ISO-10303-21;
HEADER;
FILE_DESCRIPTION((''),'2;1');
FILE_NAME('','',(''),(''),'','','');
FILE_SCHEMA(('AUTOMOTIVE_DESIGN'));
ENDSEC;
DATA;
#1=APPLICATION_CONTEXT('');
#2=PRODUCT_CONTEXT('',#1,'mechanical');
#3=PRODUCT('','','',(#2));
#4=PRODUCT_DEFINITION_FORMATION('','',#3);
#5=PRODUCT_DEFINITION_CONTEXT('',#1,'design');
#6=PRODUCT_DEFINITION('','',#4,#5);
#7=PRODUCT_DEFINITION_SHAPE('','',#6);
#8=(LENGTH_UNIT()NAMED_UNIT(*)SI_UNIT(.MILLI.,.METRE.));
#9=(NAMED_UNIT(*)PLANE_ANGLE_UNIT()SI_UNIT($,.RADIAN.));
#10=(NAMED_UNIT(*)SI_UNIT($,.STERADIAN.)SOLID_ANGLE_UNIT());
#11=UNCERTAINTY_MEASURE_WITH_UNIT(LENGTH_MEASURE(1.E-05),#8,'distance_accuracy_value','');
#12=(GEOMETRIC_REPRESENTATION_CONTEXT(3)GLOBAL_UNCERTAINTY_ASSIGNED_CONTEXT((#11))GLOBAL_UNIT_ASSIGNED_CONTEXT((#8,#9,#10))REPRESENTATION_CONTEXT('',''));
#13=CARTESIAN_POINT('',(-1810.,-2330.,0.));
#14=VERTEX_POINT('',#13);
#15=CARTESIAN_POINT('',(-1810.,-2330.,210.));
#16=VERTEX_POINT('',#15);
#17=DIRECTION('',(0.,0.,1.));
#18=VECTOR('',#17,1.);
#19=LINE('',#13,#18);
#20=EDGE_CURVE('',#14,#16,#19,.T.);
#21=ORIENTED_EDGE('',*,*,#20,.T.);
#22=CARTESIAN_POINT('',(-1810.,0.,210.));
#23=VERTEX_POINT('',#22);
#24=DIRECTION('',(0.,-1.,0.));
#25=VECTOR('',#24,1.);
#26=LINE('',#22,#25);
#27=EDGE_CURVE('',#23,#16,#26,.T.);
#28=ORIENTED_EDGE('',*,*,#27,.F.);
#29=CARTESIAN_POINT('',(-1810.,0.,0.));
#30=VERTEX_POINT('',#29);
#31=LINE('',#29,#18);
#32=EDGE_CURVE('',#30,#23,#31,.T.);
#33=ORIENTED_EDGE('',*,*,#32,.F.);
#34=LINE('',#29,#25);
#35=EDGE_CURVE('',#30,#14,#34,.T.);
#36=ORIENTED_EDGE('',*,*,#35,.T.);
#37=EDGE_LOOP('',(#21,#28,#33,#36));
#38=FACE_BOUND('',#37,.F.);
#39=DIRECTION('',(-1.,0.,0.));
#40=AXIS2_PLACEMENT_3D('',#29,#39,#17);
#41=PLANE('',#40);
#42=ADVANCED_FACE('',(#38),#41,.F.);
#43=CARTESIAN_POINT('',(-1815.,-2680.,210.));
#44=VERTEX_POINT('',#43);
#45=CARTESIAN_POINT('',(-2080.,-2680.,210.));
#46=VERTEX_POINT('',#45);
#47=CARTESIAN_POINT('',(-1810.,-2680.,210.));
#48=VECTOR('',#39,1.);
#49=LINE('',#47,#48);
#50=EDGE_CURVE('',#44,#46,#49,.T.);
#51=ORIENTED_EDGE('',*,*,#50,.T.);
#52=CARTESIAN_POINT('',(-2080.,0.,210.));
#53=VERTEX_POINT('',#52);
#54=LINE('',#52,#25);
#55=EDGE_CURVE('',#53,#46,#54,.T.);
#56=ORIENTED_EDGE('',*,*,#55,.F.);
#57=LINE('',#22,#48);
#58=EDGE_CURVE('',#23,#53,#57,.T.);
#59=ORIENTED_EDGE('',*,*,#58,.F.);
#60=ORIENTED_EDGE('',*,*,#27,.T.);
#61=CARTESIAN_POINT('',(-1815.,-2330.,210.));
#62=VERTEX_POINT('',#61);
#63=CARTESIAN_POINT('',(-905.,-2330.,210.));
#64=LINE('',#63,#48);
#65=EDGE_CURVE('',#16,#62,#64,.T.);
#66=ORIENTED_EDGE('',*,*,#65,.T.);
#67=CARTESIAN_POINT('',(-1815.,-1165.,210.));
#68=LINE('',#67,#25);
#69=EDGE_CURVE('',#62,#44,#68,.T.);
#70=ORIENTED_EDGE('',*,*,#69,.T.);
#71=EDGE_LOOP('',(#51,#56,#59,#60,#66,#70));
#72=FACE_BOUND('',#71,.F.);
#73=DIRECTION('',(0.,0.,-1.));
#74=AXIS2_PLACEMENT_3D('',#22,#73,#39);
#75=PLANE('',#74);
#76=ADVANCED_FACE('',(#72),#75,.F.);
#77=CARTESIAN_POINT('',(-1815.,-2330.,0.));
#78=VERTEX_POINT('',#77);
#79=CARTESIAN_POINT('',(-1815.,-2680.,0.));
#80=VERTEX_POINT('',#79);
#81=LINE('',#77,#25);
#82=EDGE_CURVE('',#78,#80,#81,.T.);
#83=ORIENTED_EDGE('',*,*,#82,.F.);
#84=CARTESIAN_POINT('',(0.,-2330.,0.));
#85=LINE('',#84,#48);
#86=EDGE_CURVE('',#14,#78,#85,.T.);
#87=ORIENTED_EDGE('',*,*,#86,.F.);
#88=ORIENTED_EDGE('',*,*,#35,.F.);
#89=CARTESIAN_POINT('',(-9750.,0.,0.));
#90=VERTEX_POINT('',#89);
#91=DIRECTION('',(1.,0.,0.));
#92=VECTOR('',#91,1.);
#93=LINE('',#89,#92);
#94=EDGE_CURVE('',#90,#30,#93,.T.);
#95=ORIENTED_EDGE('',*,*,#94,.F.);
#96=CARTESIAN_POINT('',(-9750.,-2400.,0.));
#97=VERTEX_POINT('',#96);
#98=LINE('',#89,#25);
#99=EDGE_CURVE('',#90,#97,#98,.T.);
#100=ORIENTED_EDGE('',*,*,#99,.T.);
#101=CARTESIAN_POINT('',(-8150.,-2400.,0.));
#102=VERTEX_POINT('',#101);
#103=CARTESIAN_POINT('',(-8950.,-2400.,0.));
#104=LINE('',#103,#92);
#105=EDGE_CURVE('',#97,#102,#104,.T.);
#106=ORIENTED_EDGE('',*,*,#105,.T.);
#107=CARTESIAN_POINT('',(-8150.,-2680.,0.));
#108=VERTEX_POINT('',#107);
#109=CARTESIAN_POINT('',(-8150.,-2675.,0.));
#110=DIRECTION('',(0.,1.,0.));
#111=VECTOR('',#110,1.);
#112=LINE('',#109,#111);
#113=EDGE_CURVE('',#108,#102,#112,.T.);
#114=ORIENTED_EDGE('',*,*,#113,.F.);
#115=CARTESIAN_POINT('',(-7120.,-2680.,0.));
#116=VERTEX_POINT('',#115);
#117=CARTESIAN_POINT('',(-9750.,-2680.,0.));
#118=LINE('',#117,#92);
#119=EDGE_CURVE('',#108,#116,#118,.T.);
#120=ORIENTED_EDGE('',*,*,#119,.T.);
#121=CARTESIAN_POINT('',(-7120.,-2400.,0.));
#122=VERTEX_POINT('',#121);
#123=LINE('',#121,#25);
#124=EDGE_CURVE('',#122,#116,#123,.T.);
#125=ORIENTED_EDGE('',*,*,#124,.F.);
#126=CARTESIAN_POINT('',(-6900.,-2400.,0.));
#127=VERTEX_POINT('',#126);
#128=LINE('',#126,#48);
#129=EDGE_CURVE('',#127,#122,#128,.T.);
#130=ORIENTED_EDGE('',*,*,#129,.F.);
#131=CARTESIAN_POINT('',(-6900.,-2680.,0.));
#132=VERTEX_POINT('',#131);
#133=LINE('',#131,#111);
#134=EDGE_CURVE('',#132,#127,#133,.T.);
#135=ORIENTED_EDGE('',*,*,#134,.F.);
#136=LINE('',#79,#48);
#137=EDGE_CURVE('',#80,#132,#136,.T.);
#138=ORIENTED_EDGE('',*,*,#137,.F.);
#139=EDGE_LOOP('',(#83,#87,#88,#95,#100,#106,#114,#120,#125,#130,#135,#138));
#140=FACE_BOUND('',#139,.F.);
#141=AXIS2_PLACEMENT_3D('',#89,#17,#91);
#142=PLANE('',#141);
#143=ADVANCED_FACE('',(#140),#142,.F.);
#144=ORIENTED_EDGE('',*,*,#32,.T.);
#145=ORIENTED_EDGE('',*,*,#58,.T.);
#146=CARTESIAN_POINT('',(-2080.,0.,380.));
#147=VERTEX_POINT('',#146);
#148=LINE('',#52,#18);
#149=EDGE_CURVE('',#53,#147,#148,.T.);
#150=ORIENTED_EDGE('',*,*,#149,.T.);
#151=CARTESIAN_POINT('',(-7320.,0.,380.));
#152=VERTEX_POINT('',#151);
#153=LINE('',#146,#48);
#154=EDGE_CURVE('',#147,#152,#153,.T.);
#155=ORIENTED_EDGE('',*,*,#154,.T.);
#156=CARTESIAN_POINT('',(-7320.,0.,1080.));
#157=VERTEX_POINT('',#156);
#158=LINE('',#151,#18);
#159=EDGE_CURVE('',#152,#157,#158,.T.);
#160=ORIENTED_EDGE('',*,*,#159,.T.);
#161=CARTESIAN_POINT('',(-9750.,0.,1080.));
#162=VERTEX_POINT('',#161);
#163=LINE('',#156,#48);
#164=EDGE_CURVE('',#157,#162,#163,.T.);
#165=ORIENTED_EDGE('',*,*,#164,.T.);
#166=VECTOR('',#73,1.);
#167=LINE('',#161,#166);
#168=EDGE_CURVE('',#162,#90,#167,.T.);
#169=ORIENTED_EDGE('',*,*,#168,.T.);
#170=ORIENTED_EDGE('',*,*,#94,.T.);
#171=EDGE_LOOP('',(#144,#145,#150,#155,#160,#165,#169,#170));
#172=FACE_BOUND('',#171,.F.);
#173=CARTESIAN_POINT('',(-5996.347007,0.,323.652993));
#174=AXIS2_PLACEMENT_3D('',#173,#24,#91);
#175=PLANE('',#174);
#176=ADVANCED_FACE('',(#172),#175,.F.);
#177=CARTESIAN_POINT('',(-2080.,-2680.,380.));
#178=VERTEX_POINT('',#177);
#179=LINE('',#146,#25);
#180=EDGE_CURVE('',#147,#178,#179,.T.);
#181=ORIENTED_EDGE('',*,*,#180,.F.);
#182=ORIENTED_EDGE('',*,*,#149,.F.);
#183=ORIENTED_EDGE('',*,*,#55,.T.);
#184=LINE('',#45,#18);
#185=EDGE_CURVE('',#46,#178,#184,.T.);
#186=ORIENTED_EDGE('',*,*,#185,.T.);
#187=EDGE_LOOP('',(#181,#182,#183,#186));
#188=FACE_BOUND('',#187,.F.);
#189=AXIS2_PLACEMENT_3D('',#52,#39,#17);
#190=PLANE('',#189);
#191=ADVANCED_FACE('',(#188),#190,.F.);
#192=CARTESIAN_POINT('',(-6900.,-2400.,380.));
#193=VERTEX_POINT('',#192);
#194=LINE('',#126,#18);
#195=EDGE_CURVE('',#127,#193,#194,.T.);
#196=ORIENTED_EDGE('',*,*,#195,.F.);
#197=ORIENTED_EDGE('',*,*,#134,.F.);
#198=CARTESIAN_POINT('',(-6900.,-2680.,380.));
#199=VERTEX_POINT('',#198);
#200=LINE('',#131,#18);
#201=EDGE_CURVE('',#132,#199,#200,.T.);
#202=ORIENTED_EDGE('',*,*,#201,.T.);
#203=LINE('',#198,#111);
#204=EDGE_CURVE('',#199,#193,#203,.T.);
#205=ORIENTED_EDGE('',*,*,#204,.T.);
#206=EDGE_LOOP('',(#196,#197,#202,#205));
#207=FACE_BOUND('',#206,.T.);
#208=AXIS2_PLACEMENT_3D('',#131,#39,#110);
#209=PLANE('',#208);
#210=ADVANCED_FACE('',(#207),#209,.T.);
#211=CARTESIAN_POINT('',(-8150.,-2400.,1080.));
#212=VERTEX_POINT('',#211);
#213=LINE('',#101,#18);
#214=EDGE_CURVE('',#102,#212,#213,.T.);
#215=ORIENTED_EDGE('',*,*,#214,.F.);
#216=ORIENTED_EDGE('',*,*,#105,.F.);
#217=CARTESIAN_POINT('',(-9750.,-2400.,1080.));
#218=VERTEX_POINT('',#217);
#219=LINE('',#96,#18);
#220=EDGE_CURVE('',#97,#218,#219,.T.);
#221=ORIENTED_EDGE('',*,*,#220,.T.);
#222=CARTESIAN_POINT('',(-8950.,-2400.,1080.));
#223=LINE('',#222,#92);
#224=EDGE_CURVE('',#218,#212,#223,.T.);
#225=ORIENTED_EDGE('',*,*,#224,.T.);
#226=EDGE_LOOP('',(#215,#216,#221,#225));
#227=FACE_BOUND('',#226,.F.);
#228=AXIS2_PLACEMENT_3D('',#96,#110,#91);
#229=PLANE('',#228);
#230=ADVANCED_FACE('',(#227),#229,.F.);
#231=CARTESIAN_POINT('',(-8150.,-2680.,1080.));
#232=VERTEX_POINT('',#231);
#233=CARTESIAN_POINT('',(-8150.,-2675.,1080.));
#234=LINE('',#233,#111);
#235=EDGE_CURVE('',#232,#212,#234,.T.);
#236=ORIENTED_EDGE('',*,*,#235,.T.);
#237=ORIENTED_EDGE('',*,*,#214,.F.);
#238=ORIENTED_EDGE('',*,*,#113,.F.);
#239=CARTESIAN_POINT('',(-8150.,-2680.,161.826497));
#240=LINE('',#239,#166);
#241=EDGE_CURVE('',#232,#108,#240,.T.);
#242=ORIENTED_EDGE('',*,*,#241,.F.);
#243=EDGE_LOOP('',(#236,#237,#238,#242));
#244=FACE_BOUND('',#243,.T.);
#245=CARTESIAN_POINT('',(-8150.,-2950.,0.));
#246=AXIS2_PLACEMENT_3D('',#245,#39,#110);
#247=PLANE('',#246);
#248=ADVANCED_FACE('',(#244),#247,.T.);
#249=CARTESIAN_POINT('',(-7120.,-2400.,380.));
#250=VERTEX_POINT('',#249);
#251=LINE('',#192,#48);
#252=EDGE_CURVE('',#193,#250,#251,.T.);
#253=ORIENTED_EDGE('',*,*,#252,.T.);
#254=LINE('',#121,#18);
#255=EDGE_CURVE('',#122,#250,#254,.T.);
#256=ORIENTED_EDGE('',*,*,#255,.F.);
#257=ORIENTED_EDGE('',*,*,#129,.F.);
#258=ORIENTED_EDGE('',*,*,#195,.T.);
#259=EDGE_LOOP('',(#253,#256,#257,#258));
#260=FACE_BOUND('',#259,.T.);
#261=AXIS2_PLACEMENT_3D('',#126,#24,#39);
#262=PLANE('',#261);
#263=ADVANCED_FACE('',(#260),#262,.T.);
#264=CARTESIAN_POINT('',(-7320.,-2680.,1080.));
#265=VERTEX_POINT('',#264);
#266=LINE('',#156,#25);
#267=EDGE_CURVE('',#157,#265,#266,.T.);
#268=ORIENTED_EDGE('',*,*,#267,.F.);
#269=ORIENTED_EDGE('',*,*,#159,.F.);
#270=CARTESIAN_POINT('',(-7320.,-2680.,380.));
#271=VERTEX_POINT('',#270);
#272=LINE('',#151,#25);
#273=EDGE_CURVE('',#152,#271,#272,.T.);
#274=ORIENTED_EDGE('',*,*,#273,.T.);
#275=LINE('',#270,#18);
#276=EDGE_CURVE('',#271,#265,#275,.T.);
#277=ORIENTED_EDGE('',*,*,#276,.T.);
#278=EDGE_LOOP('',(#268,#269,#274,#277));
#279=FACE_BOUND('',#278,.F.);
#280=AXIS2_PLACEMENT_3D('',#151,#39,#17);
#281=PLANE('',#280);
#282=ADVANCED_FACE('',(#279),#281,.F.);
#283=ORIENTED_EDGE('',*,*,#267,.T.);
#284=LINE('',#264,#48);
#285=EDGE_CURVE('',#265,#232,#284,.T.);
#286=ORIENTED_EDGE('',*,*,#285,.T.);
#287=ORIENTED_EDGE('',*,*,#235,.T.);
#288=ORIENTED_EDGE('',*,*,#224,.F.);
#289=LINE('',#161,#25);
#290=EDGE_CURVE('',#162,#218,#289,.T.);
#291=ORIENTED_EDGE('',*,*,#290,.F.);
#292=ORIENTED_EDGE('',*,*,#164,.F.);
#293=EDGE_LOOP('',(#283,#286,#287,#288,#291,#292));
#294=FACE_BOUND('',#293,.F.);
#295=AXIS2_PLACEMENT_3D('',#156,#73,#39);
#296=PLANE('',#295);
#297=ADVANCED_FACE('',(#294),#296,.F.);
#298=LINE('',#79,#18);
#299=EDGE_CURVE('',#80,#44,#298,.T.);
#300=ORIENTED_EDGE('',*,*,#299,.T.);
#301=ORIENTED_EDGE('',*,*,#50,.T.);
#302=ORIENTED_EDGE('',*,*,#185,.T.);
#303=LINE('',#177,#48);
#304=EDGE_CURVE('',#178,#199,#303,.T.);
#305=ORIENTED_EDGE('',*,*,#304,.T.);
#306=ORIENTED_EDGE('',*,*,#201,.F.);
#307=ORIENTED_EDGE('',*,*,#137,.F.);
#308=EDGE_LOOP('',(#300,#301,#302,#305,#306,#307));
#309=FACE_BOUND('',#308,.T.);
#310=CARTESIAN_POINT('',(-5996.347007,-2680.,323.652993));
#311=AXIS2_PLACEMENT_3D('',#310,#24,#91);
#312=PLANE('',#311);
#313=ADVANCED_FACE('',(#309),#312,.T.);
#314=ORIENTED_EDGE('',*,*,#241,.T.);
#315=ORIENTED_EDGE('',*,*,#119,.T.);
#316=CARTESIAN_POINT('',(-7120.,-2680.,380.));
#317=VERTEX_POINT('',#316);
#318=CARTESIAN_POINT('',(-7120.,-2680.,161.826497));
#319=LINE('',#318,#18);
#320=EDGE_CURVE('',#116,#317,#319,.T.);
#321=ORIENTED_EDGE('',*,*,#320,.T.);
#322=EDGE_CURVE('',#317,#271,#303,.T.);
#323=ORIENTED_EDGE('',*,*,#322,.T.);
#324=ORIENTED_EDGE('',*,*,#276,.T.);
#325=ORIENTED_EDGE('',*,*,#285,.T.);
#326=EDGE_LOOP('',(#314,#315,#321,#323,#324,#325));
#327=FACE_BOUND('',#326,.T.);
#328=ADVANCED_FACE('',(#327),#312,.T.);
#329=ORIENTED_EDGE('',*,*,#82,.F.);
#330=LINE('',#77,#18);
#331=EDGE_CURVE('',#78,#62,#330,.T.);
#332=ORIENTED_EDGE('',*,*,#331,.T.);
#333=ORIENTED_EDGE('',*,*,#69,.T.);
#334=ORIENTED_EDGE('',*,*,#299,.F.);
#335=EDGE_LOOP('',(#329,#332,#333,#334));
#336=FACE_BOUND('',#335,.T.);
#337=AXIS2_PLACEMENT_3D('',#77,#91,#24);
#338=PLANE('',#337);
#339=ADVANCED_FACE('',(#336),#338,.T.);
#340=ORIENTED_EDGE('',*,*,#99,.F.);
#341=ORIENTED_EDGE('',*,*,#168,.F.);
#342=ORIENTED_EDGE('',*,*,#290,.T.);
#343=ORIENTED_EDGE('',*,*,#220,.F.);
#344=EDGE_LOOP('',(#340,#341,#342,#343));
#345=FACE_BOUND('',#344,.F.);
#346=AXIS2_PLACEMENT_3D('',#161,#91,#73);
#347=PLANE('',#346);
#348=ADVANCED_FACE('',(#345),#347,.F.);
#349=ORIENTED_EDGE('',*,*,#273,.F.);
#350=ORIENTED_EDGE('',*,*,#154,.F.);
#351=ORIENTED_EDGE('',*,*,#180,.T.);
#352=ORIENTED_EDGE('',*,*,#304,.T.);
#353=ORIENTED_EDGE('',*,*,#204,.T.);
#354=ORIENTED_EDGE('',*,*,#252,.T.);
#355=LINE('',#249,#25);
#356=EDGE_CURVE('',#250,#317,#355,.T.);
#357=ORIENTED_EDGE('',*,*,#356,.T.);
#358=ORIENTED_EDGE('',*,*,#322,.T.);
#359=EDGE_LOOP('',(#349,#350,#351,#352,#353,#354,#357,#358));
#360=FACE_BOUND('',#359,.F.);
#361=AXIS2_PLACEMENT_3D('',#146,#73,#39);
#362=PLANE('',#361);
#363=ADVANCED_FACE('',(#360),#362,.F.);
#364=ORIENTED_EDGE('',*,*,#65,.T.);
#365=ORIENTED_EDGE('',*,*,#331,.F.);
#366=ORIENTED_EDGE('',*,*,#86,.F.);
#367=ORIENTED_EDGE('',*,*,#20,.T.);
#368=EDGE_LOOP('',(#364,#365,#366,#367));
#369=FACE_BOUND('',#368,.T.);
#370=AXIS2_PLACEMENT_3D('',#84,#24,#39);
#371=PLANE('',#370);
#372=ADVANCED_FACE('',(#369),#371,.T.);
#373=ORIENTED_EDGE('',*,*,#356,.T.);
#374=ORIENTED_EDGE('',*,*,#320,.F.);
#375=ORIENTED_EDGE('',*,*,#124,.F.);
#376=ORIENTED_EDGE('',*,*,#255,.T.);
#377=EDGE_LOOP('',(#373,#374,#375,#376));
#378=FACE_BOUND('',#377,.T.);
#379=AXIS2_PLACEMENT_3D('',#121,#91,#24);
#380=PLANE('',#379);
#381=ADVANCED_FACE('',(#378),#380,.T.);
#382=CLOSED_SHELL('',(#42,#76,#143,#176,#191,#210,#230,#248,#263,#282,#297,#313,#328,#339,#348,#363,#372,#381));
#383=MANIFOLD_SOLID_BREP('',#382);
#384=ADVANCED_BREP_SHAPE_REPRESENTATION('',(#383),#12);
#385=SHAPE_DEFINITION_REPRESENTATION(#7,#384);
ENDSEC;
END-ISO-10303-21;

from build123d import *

# Parameters (mm, degrees)
F2_DEPTH = 2680
F0_W     = 1600
F0_H     = 550
F3_DEPTH = 1080
F4_DEPTH = 380


with BuildPart() as f2:
    # F1 (on Front) → F2 (new body, through all)
    with BuildSketch(Plane.XZ):
        Polygon((-9750, 0), (-1810, 0), (-1810, 210), (-2080, 210), (-2080, 380), (-7320, 380), (-7320, 1080), (-9750, 1080), align=None)
    extrude(amount=F2_DEPTH)

    # F0 (on Top) → F3 (cut, through all)
    with BuildSketch(Plane.XY):
        with Locations((-8950, -2675)):
            Rectangle(F0_W, F0_H)
    extrude(amount=F3_DEPTH, mode=Mode.SUBTRACT)

    # F0 (on Top) → F4 (cut, through all)
    with BuildSketch(Plane.XY):
        Polygon((-6900, -2400), (-7120, -2400), (-7120, -2950), (-6420, -2950), (-5360, -2950), (-2200, -2950), (-2200, -6950), (-1900, -7250), (-1900, -2950), (-1670, -2950), (-1670, -2475), (0, -2475), (0, -2330), (-1815, -2330), (-1815, -2680), (-6900, -2680), align=None)
    extrude(amount=F4_DEPTH, mode=Mode.SUBTRACT)


solid = f2.part
